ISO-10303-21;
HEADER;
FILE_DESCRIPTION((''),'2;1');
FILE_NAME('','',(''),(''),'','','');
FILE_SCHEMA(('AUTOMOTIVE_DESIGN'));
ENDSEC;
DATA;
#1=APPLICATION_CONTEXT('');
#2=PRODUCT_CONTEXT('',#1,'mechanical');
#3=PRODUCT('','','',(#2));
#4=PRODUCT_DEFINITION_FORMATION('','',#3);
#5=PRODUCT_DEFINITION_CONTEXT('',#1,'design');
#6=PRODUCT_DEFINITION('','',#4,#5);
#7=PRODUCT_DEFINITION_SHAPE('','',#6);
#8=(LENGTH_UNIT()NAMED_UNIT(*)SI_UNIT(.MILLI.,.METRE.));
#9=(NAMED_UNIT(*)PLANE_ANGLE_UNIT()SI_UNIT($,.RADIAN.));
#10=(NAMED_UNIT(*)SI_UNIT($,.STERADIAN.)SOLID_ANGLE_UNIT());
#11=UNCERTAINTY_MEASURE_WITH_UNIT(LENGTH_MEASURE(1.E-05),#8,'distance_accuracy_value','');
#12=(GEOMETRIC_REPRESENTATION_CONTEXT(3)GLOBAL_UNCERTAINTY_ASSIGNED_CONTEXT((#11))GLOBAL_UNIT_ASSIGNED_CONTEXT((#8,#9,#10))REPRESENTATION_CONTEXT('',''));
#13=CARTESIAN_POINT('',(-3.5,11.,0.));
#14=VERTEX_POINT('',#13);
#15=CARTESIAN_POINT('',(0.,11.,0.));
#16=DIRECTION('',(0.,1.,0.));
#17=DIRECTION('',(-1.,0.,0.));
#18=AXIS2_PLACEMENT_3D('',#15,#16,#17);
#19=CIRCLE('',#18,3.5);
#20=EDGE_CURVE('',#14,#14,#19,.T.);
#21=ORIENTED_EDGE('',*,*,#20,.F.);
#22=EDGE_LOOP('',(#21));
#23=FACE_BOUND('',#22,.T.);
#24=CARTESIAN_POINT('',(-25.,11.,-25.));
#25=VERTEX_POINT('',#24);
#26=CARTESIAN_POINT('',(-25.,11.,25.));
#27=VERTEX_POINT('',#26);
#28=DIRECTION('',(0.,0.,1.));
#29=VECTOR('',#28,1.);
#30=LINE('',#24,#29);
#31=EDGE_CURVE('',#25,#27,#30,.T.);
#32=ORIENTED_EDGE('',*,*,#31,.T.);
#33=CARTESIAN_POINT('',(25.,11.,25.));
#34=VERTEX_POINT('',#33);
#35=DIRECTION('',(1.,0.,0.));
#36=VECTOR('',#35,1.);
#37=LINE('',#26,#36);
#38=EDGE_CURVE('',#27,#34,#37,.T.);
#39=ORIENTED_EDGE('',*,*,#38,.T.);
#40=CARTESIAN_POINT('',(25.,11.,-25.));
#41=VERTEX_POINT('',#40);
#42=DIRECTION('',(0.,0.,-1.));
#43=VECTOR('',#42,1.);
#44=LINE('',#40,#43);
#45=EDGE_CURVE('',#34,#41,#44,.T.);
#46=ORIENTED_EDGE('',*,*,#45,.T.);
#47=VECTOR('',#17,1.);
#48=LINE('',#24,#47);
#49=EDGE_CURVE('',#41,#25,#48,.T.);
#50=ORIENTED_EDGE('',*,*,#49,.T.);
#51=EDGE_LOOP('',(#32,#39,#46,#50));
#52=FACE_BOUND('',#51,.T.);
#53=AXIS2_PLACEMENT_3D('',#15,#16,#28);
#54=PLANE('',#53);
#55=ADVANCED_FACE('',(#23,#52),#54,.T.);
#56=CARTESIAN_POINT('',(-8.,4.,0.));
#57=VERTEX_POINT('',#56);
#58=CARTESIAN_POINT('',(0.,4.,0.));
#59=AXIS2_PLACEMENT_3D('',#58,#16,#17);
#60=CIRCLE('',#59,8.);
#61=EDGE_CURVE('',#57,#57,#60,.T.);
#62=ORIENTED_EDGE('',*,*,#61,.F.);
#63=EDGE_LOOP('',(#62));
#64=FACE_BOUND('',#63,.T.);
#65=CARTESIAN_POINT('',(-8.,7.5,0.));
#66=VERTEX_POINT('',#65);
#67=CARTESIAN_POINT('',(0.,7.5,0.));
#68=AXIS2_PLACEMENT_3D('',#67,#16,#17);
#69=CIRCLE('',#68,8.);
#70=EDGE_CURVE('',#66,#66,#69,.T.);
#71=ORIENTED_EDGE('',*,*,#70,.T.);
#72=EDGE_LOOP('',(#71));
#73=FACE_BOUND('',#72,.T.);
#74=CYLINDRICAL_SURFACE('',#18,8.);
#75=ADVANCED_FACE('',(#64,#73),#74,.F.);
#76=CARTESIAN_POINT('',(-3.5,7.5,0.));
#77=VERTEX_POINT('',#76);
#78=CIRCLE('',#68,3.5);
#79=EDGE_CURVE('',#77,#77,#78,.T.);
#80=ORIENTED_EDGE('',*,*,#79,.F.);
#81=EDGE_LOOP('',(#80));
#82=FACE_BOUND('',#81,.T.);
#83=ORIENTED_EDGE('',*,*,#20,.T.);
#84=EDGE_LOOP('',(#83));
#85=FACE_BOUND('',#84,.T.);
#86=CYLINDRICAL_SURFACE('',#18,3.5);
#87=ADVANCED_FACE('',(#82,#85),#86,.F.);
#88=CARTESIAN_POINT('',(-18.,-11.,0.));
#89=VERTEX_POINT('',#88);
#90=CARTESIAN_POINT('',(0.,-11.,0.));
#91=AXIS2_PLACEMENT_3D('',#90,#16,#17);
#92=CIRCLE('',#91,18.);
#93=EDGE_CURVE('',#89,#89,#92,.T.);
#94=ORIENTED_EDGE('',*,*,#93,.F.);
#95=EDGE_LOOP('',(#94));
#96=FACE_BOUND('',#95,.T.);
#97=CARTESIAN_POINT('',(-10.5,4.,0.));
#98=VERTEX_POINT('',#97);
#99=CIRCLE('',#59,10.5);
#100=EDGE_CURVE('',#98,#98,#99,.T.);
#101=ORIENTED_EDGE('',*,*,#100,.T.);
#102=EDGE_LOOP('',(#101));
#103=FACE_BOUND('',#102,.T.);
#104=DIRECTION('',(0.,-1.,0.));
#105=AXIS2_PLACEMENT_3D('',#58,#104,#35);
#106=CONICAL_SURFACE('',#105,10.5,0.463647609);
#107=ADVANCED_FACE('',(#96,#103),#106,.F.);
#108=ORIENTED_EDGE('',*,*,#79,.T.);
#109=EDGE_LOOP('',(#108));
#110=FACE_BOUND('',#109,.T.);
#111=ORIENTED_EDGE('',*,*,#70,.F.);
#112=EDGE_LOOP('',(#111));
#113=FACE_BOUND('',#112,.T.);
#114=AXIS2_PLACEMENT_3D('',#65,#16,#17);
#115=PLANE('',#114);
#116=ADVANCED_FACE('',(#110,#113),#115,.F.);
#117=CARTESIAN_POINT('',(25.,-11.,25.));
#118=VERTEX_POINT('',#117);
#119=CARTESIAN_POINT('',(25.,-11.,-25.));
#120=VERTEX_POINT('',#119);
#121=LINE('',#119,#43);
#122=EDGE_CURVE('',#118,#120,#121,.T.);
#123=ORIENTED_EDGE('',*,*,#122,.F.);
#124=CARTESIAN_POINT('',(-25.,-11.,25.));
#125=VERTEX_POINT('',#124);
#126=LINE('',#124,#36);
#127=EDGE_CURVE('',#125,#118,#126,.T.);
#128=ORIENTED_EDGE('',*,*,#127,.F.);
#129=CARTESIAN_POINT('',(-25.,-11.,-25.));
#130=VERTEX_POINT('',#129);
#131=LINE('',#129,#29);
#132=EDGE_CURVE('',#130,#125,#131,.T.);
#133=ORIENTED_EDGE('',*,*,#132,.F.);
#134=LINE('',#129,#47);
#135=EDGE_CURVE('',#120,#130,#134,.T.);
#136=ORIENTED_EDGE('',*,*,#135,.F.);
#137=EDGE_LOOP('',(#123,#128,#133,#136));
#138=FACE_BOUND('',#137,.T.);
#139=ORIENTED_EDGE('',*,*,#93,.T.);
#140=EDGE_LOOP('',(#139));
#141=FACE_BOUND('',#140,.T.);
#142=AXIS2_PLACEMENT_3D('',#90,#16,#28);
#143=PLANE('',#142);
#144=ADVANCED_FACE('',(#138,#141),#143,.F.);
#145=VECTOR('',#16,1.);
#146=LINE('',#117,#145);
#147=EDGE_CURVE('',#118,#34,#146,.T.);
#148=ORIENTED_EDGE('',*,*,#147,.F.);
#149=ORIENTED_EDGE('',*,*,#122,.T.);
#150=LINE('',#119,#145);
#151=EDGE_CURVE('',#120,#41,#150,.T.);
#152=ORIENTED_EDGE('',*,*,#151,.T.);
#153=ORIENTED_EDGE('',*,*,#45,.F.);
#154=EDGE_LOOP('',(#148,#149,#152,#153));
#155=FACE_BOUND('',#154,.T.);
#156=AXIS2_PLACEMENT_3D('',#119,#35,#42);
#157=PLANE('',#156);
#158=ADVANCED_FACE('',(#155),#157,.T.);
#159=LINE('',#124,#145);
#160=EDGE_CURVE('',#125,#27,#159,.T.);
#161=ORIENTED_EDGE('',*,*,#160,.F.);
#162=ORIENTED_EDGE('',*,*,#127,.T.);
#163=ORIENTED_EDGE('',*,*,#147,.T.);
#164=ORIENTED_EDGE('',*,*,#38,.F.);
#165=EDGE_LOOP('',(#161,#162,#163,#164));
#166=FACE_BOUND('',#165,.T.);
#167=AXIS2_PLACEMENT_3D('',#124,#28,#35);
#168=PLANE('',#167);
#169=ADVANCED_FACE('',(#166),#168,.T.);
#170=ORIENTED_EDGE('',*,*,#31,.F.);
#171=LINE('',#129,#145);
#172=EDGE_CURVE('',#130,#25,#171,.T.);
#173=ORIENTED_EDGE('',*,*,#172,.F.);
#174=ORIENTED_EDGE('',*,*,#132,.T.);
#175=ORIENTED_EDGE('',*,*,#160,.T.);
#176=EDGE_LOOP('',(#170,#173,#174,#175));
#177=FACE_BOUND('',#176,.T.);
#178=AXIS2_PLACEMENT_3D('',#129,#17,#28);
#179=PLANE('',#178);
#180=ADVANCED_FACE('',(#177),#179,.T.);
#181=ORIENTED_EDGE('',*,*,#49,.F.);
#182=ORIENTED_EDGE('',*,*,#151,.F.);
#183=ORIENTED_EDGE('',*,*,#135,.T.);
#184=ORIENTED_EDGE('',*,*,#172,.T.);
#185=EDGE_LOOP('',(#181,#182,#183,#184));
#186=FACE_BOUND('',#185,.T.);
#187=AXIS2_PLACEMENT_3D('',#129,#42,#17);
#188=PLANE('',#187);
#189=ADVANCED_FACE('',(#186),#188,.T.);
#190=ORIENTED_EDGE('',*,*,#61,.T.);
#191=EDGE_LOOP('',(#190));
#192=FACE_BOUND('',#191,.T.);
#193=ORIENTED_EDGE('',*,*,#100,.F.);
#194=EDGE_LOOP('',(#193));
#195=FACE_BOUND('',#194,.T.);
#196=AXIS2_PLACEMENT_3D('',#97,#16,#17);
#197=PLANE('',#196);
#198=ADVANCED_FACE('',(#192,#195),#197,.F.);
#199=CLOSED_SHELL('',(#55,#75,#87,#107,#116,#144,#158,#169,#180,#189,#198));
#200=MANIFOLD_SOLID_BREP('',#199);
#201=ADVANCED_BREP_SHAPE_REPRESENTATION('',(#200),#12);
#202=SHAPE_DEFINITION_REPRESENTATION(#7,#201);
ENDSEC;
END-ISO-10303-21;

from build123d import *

# Parameters (mm, degrees)
BOSS_EXTRUDE1_DEPTH      = 11
BOSS_EXTRUDE1_DEPTH_BACK = 11
SKETCH1_W                = 50
SKETCH1_H                = 50


with BuildPart() as part:
    # Sketch1 → Boss-Extrude1 (new, two sides: drawn at the far end of the back side and taken through both)
    with BuildSketch(Plane(origin=(0, 0, 0), x_dir=(1, 0, 0), z_dir=(0, 1, 0)).offset(-BOSS_EXTRUDE1_DEPTH_BACK)):
        Rectangle(SKETCH1_W, SKETCH1_H)
    extrude(amount=BOSS_EXTRUDE1_DEPTH + BOSS_EXTRUDE1_DEPTH_BACK)

    # Sketch2 → Cut-Revolve1 (revolve, cut)
    with BuildSketch(Plane.XY):
        Polygon((-3.5, 7.5), (-3.5, 11), (0, 11), (0, -11), (-18, -11), (-10.5, 4), (-8, 4), (-8, 7.5), align=None)
    revolve(axis=Axis((0, 11, 0), (0, -1, 0)), mode=Mode.SUBTRACT)


solid = part.part
